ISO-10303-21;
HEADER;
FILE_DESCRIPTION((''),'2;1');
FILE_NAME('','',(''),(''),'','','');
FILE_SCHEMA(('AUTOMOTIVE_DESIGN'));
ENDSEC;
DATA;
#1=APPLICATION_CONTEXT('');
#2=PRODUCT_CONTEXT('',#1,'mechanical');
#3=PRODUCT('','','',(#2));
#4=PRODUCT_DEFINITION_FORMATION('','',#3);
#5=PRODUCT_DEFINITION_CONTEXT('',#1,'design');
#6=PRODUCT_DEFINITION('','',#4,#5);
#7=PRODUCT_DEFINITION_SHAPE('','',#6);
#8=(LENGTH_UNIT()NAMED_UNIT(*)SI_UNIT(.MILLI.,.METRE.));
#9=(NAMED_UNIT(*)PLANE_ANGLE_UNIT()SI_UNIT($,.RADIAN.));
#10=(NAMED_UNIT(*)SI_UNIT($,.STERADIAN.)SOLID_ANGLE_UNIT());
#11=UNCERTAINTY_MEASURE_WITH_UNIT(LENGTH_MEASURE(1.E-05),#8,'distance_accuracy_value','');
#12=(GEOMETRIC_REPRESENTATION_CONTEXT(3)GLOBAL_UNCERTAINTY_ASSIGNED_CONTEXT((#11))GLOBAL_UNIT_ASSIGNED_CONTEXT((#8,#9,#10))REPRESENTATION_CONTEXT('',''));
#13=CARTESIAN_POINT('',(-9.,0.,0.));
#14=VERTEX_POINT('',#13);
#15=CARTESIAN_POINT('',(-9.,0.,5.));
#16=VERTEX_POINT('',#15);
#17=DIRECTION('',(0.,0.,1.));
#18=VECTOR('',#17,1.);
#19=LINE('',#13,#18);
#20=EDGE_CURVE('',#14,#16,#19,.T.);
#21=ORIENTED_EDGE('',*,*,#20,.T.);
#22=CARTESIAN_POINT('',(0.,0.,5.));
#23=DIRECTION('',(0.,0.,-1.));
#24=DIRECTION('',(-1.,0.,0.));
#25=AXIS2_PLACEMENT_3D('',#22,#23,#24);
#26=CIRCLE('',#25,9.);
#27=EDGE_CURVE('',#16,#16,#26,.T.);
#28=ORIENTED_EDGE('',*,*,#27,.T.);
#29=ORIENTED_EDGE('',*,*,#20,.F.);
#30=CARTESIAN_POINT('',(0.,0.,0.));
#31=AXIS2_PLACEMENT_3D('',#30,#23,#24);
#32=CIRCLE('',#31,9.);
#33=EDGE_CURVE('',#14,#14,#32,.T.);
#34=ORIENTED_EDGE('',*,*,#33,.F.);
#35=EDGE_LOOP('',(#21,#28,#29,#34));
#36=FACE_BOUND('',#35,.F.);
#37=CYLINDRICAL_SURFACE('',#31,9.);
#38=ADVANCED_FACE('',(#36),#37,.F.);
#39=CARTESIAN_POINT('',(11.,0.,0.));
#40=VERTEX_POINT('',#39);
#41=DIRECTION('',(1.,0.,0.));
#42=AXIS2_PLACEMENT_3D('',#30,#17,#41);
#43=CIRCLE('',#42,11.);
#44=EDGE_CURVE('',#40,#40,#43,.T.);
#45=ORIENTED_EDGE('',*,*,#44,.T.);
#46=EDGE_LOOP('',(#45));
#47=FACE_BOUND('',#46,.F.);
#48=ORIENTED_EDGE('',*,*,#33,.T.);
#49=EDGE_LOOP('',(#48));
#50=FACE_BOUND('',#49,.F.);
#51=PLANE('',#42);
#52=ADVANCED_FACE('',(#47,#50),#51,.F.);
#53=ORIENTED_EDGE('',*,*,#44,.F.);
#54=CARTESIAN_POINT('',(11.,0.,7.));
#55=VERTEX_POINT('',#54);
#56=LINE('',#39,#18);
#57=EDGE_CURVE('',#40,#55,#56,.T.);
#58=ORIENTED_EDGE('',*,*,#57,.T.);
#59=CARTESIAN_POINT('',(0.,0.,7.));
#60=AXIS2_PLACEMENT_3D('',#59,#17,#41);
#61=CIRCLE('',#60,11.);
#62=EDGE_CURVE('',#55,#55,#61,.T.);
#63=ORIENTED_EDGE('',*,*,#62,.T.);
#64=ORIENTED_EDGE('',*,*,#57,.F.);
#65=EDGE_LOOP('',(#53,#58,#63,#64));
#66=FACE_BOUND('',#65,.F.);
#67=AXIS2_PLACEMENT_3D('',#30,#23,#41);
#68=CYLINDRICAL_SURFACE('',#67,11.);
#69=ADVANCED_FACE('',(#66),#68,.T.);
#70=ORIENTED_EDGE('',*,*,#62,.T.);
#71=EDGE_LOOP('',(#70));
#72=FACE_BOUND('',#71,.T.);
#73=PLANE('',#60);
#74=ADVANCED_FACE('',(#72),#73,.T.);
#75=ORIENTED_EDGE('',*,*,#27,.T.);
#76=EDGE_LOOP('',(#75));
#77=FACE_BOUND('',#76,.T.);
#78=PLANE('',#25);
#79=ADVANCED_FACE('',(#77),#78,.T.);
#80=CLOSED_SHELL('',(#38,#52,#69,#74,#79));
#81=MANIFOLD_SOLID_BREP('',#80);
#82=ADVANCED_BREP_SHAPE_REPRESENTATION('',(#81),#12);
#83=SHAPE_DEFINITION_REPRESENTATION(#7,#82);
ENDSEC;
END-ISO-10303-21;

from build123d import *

# Parameters (mm, degrees)
SKETCH1_R           = 11
BOSS_EXTRUDE1_DEPTH = 7
SKETCH2_R           = 9
CUT_EXTRUDE1_DEPTH  = 5


with BuildPart() as part:
    # Sketch1 → Boss-Extrude1 (new body)
    with BuildSketch(Plane.XY):
        Circle(SKETCH1_R)
    extrude(amount=BOSS_EXTRUDE1_DEPTH)

    # Sketch2 → Cut-Extrude1 (cut)
    with BuildSketch(Plane(origin=(0, 0, 0), x_dir=(-1, 0, 0), z_dir=(0, 0, -1))):
        Circle(SKETCH2_R)
    extrude(amount=-CUT_EXTRUDE1_DEPTH, mode=Mode.SUBTRACT)


solid = part.part
